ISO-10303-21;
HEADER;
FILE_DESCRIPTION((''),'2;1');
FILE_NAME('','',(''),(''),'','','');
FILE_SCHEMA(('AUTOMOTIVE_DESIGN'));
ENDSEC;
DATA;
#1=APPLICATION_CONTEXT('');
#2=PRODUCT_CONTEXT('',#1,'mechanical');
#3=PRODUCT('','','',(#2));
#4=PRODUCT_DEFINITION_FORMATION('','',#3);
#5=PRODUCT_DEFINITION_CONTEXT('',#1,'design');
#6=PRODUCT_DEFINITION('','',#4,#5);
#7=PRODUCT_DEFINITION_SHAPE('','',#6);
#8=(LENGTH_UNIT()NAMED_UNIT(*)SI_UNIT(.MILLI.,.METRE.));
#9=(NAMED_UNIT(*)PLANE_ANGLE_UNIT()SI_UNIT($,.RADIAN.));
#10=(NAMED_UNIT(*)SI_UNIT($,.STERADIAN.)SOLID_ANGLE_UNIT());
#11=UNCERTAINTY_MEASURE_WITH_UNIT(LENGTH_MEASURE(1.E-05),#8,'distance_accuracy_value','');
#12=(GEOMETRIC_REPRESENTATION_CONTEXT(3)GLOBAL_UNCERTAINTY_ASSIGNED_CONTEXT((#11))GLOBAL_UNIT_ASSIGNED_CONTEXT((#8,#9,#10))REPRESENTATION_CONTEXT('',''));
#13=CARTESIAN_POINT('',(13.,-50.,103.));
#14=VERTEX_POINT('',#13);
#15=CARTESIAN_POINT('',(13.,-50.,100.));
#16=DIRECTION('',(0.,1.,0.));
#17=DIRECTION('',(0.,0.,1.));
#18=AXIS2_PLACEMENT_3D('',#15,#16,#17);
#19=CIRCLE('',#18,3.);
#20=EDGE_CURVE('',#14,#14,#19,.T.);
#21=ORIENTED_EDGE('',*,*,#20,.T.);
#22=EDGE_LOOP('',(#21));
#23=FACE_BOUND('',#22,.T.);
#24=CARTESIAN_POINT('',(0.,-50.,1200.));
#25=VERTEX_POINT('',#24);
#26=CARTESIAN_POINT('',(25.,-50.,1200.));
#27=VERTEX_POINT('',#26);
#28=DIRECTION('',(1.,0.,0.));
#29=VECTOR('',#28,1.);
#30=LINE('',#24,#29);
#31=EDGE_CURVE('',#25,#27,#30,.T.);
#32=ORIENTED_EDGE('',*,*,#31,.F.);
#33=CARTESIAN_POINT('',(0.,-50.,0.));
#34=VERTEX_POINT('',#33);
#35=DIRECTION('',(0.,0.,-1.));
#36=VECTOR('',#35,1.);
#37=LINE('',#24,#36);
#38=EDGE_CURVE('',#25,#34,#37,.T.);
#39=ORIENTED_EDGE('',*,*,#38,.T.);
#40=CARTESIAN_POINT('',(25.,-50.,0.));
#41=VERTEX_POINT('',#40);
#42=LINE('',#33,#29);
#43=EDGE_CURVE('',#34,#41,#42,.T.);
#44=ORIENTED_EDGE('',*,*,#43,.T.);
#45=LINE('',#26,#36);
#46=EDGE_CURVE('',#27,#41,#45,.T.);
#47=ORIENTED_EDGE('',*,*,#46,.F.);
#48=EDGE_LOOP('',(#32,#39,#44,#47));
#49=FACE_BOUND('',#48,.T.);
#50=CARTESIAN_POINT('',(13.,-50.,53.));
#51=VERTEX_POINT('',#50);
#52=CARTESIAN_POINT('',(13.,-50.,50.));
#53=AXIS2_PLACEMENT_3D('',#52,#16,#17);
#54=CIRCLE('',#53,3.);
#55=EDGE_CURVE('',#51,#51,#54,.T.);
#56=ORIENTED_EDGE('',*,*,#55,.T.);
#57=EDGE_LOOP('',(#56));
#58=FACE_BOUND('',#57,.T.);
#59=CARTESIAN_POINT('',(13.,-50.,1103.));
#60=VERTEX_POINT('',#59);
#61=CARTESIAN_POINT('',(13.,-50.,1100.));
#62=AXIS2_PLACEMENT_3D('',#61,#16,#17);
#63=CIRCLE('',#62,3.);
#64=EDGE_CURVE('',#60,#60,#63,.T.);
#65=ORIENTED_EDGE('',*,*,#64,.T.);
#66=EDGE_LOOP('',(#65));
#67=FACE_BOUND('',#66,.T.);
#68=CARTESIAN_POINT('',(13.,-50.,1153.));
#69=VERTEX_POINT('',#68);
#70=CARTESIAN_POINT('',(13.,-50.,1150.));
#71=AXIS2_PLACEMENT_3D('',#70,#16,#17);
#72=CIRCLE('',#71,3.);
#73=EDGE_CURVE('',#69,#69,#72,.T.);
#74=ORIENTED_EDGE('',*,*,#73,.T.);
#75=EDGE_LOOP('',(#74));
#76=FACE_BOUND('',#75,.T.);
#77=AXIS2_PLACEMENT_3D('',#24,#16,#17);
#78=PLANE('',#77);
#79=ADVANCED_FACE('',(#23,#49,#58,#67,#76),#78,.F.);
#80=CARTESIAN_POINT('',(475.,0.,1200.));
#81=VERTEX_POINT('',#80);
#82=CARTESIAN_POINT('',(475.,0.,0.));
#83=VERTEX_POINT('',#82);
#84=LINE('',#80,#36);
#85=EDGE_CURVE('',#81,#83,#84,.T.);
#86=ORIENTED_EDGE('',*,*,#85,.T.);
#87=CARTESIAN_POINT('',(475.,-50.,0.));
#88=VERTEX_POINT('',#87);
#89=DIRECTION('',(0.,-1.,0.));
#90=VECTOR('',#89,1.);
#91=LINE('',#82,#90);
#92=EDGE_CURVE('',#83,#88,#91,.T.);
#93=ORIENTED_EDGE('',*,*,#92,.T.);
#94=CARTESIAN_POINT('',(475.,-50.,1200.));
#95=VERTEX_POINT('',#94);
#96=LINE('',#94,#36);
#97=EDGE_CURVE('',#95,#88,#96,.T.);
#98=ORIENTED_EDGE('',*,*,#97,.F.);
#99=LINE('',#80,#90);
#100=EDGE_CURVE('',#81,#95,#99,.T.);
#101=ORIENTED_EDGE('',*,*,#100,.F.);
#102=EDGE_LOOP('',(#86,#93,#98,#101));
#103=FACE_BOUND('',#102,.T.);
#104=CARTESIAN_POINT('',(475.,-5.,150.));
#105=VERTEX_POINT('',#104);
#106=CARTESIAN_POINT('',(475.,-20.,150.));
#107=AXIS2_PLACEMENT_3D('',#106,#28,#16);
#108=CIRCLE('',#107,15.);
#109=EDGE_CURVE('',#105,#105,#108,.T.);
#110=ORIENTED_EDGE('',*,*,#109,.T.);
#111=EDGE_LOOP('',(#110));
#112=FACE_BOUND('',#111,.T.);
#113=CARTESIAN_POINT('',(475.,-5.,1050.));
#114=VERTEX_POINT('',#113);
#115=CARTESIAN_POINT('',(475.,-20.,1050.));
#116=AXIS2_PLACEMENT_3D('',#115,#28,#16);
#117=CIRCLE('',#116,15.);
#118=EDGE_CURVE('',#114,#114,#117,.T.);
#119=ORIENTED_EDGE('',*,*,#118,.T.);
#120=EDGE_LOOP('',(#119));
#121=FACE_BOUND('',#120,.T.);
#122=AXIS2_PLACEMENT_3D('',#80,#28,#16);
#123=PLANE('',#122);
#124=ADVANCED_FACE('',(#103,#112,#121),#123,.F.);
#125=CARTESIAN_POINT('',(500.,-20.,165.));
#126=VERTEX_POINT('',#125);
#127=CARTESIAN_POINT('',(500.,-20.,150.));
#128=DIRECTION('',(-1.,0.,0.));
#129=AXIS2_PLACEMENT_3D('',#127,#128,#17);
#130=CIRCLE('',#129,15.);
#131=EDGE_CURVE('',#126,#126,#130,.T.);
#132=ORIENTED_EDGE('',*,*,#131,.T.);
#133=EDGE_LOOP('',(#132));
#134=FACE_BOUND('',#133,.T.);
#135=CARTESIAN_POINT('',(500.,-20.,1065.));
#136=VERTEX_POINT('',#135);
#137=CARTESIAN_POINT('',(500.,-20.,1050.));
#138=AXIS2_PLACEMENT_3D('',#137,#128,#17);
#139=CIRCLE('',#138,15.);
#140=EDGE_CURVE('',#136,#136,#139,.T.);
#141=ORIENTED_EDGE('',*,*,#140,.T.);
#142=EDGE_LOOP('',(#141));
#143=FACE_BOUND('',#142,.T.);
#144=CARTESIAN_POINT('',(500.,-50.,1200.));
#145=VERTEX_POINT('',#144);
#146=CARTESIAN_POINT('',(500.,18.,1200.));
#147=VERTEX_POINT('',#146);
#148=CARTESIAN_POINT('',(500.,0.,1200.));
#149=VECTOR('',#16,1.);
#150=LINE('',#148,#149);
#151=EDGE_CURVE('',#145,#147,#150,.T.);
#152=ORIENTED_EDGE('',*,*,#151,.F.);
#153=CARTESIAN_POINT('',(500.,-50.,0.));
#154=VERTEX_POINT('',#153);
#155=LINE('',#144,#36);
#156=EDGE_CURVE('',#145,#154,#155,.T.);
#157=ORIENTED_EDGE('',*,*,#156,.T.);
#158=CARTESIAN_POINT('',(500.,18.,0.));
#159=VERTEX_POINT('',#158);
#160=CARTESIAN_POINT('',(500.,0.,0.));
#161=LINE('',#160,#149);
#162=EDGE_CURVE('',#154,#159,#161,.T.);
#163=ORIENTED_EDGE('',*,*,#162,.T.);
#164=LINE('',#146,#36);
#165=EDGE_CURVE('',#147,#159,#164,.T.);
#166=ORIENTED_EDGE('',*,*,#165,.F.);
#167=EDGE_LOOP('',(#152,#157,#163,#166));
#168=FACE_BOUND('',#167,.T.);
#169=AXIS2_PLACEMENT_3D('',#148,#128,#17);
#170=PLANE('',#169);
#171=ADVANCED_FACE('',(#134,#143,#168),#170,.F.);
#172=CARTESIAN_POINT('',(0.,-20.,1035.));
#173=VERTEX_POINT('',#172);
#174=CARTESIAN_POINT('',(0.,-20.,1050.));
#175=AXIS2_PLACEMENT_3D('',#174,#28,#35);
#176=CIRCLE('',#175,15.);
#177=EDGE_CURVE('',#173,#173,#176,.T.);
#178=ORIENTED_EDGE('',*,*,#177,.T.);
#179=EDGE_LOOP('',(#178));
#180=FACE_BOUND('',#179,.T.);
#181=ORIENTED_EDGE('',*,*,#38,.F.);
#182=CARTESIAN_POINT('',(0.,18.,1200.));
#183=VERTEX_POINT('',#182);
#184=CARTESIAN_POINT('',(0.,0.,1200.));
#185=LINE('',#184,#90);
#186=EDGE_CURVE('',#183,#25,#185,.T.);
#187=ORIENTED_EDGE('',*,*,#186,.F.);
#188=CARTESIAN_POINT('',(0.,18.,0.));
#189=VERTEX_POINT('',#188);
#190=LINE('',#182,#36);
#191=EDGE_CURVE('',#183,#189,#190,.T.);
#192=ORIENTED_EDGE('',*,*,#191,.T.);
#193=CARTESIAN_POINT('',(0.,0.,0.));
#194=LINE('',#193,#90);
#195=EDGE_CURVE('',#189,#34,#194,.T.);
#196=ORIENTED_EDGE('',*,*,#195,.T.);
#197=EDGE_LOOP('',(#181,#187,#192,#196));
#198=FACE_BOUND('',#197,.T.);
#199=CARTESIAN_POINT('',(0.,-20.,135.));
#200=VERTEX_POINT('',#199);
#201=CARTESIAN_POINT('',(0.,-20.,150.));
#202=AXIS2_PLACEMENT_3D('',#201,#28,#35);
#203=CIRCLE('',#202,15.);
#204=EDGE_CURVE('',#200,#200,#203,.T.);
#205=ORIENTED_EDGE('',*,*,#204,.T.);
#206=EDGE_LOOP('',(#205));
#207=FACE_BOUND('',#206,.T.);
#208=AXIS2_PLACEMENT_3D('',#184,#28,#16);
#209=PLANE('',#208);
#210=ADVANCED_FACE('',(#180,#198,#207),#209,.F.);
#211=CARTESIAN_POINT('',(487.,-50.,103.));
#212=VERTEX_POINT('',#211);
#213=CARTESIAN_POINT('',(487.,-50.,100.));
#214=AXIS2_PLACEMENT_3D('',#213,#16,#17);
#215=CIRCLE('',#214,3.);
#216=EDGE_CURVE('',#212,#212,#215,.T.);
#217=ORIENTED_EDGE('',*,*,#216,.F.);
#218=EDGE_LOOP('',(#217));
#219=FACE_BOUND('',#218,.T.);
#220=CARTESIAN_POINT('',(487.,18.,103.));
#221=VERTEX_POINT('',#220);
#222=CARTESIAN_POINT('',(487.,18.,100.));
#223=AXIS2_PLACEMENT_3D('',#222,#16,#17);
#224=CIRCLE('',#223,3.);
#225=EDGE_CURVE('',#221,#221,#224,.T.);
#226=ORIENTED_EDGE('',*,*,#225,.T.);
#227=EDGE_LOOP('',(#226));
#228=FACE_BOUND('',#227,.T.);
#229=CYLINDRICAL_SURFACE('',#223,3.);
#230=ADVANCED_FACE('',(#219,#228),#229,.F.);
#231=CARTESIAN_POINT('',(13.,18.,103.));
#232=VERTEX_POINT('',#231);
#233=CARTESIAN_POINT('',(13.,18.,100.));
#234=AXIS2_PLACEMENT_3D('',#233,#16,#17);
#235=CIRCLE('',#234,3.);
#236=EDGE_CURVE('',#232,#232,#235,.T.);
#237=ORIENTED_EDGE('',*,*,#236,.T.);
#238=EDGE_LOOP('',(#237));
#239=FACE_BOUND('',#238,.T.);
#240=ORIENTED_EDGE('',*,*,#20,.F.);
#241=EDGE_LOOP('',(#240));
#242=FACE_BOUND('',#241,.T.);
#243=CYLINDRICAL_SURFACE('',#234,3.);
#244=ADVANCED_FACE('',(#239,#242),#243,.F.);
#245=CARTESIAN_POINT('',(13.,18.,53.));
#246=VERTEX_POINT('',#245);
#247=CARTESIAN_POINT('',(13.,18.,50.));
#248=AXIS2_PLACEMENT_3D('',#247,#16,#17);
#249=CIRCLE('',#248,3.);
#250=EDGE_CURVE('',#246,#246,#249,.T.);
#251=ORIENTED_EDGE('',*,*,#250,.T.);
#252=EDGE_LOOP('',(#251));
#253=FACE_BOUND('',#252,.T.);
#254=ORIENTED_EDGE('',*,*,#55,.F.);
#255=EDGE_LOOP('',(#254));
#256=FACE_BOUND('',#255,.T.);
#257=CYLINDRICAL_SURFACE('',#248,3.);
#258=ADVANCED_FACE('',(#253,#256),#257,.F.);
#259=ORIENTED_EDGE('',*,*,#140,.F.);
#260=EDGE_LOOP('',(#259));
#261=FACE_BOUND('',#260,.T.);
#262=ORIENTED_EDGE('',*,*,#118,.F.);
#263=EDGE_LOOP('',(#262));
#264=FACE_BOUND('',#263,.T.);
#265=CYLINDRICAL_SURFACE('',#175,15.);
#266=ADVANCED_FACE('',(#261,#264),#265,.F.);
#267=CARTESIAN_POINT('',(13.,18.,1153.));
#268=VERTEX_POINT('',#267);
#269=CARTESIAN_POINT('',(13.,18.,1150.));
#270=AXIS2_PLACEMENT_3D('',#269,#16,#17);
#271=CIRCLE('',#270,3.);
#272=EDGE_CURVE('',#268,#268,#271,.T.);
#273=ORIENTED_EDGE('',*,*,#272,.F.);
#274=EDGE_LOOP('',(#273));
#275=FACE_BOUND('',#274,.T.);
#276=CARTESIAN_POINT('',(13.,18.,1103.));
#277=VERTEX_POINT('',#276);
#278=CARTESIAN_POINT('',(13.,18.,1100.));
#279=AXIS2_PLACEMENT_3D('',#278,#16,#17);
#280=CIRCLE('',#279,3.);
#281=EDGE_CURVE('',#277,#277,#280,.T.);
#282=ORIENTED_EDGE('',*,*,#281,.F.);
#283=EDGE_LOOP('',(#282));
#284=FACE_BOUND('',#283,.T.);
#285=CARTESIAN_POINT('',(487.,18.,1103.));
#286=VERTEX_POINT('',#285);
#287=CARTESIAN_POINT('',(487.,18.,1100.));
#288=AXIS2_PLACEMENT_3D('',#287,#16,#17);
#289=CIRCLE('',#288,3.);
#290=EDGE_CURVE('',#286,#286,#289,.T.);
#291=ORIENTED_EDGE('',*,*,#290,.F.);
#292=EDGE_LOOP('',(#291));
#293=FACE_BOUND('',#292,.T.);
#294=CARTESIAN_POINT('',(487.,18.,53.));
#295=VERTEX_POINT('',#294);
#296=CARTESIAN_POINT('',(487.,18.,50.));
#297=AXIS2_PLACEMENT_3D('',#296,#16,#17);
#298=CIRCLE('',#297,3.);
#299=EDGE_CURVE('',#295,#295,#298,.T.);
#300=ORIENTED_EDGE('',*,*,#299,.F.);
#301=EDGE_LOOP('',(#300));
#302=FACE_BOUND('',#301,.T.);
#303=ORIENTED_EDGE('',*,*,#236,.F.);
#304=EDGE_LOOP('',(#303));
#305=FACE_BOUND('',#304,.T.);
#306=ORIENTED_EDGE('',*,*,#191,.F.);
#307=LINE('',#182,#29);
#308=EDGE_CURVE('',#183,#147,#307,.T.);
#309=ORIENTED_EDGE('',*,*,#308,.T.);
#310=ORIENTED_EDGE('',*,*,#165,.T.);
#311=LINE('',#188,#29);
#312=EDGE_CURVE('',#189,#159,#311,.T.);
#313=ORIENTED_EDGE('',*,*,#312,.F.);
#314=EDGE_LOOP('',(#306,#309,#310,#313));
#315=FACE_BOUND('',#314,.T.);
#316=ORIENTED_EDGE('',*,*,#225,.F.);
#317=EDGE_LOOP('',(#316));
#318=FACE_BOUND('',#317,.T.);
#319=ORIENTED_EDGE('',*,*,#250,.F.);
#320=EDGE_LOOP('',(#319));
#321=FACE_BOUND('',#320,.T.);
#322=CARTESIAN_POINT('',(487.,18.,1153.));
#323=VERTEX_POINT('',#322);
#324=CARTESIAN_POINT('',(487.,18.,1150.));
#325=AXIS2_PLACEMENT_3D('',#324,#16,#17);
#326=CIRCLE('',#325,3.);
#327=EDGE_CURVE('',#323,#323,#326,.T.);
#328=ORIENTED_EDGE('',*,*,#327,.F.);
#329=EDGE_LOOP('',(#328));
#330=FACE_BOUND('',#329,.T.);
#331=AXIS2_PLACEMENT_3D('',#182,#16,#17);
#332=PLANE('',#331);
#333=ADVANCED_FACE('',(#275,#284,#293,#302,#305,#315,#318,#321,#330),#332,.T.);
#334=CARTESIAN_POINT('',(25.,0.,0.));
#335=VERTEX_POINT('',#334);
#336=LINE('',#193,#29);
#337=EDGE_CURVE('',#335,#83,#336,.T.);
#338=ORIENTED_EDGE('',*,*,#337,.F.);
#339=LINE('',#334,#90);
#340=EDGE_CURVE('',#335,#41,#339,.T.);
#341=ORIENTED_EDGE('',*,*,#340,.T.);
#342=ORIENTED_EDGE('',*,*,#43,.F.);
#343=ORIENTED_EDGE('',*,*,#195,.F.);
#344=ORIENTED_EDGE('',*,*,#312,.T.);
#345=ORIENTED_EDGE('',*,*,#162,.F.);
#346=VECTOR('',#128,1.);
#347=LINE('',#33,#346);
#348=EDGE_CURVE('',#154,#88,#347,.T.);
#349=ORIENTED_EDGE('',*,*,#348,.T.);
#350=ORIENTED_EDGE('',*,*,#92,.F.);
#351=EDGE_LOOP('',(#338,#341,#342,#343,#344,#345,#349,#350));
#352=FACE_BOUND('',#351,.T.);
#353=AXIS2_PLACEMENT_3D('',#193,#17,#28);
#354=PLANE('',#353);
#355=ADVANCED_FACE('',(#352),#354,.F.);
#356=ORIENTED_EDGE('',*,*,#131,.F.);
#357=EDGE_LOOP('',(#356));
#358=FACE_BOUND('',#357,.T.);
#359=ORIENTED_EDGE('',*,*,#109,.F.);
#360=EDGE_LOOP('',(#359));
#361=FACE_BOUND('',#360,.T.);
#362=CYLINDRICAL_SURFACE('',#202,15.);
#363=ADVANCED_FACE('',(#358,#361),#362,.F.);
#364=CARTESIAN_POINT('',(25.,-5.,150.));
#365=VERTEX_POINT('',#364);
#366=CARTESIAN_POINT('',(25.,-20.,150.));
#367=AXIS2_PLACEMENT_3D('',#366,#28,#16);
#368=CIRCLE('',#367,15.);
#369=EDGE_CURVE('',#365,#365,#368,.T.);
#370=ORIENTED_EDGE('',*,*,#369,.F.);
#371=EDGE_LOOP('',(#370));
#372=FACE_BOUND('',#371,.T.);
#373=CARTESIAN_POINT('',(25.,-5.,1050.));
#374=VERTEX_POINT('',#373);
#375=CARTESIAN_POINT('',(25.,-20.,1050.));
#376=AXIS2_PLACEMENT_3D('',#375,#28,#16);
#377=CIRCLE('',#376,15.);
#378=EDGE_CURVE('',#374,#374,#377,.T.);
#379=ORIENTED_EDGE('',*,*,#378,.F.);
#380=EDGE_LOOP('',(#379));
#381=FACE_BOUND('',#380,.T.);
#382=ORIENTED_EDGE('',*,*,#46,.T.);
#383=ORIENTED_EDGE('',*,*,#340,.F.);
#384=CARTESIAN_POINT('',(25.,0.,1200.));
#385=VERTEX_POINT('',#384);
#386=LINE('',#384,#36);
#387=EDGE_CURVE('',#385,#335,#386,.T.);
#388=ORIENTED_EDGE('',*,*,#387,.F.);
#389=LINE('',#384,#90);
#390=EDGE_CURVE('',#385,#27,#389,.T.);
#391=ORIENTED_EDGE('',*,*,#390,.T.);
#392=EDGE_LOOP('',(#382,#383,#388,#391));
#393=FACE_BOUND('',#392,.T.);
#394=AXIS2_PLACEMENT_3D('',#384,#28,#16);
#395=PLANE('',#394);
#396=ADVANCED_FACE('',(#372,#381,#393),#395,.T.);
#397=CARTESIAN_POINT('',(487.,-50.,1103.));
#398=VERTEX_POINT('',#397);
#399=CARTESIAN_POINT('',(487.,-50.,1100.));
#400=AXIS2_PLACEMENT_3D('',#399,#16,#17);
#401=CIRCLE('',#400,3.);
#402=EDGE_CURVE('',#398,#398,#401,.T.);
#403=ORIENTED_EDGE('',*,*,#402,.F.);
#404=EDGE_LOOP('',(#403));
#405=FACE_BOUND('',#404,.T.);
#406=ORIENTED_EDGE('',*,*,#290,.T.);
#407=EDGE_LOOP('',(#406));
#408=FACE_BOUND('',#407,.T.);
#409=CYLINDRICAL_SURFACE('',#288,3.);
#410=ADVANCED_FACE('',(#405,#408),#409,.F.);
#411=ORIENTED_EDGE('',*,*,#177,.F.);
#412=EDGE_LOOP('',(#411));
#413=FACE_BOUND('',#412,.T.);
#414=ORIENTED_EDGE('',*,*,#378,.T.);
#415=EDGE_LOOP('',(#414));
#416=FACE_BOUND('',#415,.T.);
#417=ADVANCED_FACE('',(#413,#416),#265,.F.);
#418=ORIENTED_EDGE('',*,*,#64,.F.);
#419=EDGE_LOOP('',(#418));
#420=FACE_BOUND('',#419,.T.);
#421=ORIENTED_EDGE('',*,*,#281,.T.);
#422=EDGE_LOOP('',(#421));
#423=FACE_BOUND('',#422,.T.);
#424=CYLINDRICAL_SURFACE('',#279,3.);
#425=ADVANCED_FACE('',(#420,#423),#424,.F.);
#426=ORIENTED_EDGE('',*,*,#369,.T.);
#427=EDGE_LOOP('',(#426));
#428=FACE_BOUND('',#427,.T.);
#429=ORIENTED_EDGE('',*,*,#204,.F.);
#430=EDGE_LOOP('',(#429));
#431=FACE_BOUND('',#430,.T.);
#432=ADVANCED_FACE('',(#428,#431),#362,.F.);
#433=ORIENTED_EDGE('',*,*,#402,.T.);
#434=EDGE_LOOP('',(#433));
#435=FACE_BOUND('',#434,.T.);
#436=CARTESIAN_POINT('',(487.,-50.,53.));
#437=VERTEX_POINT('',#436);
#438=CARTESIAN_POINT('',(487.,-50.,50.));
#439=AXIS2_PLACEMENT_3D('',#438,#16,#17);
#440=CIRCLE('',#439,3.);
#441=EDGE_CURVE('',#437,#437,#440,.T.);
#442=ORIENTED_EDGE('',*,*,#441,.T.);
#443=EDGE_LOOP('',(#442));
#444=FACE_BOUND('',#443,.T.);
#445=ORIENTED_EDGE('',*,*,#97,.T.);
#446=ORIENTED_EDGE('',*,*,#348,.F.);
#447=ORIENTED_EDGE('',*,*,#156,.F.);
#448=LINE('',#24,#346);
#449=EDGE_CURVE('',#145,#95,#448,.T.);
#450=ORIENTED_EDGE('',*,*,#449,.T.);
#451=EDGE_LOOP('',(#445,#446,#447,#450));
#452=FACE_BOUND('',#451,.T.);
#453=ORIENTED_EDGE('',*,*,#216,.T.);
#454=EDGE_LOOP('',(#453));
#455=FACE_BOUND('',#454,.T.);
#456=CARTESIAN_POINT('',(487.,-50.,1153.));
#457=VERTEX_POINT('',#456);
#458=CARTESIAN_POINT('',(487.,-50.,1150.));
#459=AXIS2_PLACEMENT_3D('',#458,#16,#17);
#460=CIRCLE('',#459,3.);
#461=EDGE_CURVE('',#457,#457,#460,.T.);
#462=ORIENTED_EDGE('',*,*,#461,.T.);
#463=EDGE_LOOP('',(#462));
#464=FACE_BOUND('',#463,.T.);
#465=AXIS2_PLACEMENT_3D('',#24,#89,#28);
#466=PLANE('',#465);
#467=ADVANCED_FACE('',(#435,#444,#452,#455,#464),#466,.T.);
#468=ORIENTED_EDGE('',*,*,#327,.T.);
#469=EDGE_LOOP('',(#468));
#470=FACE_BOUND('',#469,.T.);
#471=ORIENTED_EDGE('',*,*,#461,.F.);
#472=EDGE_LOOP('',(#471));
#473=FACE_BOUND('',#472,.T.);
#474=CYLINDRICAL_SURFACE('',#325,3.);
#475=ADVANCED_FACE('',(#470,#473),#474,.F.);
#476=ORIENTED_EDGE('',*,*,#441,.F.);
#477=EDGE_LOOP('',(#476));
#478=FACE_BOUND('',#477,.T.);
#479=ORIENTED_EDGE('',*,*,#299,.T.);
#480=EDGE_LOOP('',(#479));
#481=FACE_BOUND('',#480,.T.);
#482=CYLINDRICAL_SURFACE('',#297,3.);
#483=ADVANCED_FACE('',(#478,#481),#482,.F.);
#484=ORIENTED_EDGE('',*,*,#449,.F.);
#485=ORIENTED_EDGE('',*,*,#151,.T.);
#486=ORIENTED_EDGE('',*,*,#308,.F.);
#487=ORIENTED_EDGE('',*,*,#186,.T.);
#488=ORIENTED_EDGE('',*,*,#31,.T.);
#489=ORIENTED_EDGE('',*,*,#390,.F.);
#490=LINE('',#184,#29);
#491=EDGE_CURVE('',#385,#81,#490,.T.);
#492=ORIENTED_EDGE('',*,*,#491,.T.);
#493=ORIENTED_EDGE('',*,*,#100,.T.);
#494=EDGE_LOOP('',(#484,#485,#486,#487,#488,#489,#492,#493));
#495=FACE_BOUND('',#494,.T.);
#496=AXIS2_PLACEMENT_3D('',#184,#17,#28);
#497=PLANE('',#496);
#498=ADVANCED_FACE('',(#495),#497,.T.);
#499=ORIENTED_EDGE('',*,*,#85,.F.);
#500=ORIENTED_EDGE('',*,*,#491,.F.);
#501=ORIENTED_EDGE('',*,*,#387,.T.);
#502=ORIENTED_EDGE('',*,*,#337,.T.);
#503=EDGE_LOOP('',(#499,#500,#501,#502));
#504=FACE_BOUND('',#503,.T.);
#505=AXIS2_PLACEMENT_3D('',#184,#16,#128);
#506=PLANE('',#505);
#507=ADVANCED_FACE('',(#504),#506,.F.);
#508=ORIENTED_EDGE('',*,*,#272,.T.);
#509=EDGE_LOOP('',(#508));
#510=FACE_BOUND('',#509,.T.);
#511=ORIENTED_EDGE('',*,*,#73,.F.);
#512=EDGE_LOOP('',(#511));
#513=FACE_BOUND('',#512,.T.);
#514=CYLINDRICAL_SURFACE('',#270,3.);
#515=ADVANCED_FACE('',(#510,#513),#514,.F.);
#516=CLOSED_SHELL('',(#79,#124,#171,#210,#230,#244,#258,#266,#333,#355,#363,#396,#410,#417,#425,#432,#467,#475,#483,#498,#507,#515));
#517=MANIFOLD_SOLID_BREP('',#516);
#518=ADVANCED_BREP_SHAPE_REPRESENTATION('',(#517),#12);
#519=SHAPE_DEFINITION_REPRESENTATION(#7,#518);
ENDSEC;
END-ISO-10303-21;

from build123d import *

# Parameters (mm, degrees)
SKETCH1_W                = 25
SKETCH1_H                = 50
SKETCH1_W_2              = 500
SKETCH1_H_2              = 18
BOSS_EXTRUDE1_DEPTH      = 1200
SKETCH2_R                = 15
CUT_EXTRUDE1_DEPTH       = 1
CUT_EXTRUDE1_DEPTH_BACK  = 501
F_6_0_6_DIAMETER_HOLE1_D = 6
LPATTERN1_COUNT          = 2
LPATTERN1_PITCH          = 50
LPATTERN1_COUNT_DIR2     = 2
LPATTERN1_PITCH_DIR2     = 474
LPATTERN2_COUNT          = 2
LPATTERN2_PITCH          = 1050
LPATTERN2_COPY_1_D       = 6
LPATTERN2_COPY_2_D       = 6
LPATTERN2_COPY_3_D       = 6


with BuildPart() as part:
    # Sketch1 → Boss-Extrude1 (new body)
    with BuildSketch(Plane.XY):
        with Locations((12.5, -25)):
            Rectangle(SKETCH1_W, SKETCH1_H)
        with Locations((250, 9)):
            Rectangle(SKETCH1_W_2, SKETCH1_H_2)
        with Locations((487.5, -25)):
            Rectangle(SKETCH1_W, SKETCH1_H)
    extrude(amount=BOSS_EXTRUDE1_DEPTH)

    # Sketch2 → Cut-Extrude1 (cut, two sides)
    with BuildSketch(Plane(origin=(500, 0, 0), x_dir=(0, 0, -1), z_dir=(1, 0, 0))) as cut_extrude1_sk:
        with Locations((-1050, -20)):
            Circle(SKETCH2_R)
        with Locations((-150, -20)):
            Circle(SKETCH2_R)
    extrude(amount=CUT_EXTRUDE1_DEPTH, mode=Mode.SUBTRACT)
    extrude(cut_extrude1_sk.sketch, amount=-CUT_EXTRUDE1_DEPTH_BACK, mode=Mode.SUBTRACT)

    # Ø6.0 (6) Diameter Hole1 (through all)
    with Locations(Plane(origin=(0, 18, 0), x_dir=(1, 0, 0), z_dir=(0, 1, 0))):
        with Locations((13, -1150)):
            f_6_0_6_diameter_hole1 = Hole(F_6_0_6_DIAMETER_HOLE1_D / 2)

    # LPattern1: 6.0 _6_ Diameter Hole1 2 × 2
    with Locations(*[(j * LPATTERN1_PITCH_DIR2, 0, -i * LPATTERN1_PITCH) for i in range(LPATTERN1_COUNT) for j in range(LPATTERN1_COUNT_DIR2) if (i, j) != (0, 0)]):
        add(f_6_0_6_diameter_hole1, mode=Mode.SUBTRACT)

    # LPattern2: Ø6.0 (6) Diameter Hole1 ×2
    with Locations(*[(0, 0, -i * LPATTERN2_PITCH) for i in range(1, LPATTERN2_COUNT)]):
        add(f_6_0_6_diameter_hole1, mode=Mode.SUBTRACT)

    # LPattern2 copy 1 (through all)
    with Locations(Plane(origin=(474, 18, -1050), x_dir=(1, 0, 0), z_dir=(0, 1, 0))):
        with Locations((13, -1150)):
            Hole(LPATTERN2_COPY_1_D / 2)

    # LPattern2 copy 2 (through all)
    with Locations(Plane(origin=(0, 18, -1100), x_dir=(1, 0, 0), z_dir=(0, 1, 0))):
        with Locations((13, -1150)):
            Hole(LPATTERN2_COPY_2_D / 2)

    # LPattern2 copy 3 (through all)
    with Locations(Plane(origin=(474, 18, -1100), x_dir=(1, 0, 0), z_dir=(0, 1, 0))):
        with Locations((13, -1150)):
            Hole(LPATTERN2_COPY_3_D / 2)


solid = part.part
